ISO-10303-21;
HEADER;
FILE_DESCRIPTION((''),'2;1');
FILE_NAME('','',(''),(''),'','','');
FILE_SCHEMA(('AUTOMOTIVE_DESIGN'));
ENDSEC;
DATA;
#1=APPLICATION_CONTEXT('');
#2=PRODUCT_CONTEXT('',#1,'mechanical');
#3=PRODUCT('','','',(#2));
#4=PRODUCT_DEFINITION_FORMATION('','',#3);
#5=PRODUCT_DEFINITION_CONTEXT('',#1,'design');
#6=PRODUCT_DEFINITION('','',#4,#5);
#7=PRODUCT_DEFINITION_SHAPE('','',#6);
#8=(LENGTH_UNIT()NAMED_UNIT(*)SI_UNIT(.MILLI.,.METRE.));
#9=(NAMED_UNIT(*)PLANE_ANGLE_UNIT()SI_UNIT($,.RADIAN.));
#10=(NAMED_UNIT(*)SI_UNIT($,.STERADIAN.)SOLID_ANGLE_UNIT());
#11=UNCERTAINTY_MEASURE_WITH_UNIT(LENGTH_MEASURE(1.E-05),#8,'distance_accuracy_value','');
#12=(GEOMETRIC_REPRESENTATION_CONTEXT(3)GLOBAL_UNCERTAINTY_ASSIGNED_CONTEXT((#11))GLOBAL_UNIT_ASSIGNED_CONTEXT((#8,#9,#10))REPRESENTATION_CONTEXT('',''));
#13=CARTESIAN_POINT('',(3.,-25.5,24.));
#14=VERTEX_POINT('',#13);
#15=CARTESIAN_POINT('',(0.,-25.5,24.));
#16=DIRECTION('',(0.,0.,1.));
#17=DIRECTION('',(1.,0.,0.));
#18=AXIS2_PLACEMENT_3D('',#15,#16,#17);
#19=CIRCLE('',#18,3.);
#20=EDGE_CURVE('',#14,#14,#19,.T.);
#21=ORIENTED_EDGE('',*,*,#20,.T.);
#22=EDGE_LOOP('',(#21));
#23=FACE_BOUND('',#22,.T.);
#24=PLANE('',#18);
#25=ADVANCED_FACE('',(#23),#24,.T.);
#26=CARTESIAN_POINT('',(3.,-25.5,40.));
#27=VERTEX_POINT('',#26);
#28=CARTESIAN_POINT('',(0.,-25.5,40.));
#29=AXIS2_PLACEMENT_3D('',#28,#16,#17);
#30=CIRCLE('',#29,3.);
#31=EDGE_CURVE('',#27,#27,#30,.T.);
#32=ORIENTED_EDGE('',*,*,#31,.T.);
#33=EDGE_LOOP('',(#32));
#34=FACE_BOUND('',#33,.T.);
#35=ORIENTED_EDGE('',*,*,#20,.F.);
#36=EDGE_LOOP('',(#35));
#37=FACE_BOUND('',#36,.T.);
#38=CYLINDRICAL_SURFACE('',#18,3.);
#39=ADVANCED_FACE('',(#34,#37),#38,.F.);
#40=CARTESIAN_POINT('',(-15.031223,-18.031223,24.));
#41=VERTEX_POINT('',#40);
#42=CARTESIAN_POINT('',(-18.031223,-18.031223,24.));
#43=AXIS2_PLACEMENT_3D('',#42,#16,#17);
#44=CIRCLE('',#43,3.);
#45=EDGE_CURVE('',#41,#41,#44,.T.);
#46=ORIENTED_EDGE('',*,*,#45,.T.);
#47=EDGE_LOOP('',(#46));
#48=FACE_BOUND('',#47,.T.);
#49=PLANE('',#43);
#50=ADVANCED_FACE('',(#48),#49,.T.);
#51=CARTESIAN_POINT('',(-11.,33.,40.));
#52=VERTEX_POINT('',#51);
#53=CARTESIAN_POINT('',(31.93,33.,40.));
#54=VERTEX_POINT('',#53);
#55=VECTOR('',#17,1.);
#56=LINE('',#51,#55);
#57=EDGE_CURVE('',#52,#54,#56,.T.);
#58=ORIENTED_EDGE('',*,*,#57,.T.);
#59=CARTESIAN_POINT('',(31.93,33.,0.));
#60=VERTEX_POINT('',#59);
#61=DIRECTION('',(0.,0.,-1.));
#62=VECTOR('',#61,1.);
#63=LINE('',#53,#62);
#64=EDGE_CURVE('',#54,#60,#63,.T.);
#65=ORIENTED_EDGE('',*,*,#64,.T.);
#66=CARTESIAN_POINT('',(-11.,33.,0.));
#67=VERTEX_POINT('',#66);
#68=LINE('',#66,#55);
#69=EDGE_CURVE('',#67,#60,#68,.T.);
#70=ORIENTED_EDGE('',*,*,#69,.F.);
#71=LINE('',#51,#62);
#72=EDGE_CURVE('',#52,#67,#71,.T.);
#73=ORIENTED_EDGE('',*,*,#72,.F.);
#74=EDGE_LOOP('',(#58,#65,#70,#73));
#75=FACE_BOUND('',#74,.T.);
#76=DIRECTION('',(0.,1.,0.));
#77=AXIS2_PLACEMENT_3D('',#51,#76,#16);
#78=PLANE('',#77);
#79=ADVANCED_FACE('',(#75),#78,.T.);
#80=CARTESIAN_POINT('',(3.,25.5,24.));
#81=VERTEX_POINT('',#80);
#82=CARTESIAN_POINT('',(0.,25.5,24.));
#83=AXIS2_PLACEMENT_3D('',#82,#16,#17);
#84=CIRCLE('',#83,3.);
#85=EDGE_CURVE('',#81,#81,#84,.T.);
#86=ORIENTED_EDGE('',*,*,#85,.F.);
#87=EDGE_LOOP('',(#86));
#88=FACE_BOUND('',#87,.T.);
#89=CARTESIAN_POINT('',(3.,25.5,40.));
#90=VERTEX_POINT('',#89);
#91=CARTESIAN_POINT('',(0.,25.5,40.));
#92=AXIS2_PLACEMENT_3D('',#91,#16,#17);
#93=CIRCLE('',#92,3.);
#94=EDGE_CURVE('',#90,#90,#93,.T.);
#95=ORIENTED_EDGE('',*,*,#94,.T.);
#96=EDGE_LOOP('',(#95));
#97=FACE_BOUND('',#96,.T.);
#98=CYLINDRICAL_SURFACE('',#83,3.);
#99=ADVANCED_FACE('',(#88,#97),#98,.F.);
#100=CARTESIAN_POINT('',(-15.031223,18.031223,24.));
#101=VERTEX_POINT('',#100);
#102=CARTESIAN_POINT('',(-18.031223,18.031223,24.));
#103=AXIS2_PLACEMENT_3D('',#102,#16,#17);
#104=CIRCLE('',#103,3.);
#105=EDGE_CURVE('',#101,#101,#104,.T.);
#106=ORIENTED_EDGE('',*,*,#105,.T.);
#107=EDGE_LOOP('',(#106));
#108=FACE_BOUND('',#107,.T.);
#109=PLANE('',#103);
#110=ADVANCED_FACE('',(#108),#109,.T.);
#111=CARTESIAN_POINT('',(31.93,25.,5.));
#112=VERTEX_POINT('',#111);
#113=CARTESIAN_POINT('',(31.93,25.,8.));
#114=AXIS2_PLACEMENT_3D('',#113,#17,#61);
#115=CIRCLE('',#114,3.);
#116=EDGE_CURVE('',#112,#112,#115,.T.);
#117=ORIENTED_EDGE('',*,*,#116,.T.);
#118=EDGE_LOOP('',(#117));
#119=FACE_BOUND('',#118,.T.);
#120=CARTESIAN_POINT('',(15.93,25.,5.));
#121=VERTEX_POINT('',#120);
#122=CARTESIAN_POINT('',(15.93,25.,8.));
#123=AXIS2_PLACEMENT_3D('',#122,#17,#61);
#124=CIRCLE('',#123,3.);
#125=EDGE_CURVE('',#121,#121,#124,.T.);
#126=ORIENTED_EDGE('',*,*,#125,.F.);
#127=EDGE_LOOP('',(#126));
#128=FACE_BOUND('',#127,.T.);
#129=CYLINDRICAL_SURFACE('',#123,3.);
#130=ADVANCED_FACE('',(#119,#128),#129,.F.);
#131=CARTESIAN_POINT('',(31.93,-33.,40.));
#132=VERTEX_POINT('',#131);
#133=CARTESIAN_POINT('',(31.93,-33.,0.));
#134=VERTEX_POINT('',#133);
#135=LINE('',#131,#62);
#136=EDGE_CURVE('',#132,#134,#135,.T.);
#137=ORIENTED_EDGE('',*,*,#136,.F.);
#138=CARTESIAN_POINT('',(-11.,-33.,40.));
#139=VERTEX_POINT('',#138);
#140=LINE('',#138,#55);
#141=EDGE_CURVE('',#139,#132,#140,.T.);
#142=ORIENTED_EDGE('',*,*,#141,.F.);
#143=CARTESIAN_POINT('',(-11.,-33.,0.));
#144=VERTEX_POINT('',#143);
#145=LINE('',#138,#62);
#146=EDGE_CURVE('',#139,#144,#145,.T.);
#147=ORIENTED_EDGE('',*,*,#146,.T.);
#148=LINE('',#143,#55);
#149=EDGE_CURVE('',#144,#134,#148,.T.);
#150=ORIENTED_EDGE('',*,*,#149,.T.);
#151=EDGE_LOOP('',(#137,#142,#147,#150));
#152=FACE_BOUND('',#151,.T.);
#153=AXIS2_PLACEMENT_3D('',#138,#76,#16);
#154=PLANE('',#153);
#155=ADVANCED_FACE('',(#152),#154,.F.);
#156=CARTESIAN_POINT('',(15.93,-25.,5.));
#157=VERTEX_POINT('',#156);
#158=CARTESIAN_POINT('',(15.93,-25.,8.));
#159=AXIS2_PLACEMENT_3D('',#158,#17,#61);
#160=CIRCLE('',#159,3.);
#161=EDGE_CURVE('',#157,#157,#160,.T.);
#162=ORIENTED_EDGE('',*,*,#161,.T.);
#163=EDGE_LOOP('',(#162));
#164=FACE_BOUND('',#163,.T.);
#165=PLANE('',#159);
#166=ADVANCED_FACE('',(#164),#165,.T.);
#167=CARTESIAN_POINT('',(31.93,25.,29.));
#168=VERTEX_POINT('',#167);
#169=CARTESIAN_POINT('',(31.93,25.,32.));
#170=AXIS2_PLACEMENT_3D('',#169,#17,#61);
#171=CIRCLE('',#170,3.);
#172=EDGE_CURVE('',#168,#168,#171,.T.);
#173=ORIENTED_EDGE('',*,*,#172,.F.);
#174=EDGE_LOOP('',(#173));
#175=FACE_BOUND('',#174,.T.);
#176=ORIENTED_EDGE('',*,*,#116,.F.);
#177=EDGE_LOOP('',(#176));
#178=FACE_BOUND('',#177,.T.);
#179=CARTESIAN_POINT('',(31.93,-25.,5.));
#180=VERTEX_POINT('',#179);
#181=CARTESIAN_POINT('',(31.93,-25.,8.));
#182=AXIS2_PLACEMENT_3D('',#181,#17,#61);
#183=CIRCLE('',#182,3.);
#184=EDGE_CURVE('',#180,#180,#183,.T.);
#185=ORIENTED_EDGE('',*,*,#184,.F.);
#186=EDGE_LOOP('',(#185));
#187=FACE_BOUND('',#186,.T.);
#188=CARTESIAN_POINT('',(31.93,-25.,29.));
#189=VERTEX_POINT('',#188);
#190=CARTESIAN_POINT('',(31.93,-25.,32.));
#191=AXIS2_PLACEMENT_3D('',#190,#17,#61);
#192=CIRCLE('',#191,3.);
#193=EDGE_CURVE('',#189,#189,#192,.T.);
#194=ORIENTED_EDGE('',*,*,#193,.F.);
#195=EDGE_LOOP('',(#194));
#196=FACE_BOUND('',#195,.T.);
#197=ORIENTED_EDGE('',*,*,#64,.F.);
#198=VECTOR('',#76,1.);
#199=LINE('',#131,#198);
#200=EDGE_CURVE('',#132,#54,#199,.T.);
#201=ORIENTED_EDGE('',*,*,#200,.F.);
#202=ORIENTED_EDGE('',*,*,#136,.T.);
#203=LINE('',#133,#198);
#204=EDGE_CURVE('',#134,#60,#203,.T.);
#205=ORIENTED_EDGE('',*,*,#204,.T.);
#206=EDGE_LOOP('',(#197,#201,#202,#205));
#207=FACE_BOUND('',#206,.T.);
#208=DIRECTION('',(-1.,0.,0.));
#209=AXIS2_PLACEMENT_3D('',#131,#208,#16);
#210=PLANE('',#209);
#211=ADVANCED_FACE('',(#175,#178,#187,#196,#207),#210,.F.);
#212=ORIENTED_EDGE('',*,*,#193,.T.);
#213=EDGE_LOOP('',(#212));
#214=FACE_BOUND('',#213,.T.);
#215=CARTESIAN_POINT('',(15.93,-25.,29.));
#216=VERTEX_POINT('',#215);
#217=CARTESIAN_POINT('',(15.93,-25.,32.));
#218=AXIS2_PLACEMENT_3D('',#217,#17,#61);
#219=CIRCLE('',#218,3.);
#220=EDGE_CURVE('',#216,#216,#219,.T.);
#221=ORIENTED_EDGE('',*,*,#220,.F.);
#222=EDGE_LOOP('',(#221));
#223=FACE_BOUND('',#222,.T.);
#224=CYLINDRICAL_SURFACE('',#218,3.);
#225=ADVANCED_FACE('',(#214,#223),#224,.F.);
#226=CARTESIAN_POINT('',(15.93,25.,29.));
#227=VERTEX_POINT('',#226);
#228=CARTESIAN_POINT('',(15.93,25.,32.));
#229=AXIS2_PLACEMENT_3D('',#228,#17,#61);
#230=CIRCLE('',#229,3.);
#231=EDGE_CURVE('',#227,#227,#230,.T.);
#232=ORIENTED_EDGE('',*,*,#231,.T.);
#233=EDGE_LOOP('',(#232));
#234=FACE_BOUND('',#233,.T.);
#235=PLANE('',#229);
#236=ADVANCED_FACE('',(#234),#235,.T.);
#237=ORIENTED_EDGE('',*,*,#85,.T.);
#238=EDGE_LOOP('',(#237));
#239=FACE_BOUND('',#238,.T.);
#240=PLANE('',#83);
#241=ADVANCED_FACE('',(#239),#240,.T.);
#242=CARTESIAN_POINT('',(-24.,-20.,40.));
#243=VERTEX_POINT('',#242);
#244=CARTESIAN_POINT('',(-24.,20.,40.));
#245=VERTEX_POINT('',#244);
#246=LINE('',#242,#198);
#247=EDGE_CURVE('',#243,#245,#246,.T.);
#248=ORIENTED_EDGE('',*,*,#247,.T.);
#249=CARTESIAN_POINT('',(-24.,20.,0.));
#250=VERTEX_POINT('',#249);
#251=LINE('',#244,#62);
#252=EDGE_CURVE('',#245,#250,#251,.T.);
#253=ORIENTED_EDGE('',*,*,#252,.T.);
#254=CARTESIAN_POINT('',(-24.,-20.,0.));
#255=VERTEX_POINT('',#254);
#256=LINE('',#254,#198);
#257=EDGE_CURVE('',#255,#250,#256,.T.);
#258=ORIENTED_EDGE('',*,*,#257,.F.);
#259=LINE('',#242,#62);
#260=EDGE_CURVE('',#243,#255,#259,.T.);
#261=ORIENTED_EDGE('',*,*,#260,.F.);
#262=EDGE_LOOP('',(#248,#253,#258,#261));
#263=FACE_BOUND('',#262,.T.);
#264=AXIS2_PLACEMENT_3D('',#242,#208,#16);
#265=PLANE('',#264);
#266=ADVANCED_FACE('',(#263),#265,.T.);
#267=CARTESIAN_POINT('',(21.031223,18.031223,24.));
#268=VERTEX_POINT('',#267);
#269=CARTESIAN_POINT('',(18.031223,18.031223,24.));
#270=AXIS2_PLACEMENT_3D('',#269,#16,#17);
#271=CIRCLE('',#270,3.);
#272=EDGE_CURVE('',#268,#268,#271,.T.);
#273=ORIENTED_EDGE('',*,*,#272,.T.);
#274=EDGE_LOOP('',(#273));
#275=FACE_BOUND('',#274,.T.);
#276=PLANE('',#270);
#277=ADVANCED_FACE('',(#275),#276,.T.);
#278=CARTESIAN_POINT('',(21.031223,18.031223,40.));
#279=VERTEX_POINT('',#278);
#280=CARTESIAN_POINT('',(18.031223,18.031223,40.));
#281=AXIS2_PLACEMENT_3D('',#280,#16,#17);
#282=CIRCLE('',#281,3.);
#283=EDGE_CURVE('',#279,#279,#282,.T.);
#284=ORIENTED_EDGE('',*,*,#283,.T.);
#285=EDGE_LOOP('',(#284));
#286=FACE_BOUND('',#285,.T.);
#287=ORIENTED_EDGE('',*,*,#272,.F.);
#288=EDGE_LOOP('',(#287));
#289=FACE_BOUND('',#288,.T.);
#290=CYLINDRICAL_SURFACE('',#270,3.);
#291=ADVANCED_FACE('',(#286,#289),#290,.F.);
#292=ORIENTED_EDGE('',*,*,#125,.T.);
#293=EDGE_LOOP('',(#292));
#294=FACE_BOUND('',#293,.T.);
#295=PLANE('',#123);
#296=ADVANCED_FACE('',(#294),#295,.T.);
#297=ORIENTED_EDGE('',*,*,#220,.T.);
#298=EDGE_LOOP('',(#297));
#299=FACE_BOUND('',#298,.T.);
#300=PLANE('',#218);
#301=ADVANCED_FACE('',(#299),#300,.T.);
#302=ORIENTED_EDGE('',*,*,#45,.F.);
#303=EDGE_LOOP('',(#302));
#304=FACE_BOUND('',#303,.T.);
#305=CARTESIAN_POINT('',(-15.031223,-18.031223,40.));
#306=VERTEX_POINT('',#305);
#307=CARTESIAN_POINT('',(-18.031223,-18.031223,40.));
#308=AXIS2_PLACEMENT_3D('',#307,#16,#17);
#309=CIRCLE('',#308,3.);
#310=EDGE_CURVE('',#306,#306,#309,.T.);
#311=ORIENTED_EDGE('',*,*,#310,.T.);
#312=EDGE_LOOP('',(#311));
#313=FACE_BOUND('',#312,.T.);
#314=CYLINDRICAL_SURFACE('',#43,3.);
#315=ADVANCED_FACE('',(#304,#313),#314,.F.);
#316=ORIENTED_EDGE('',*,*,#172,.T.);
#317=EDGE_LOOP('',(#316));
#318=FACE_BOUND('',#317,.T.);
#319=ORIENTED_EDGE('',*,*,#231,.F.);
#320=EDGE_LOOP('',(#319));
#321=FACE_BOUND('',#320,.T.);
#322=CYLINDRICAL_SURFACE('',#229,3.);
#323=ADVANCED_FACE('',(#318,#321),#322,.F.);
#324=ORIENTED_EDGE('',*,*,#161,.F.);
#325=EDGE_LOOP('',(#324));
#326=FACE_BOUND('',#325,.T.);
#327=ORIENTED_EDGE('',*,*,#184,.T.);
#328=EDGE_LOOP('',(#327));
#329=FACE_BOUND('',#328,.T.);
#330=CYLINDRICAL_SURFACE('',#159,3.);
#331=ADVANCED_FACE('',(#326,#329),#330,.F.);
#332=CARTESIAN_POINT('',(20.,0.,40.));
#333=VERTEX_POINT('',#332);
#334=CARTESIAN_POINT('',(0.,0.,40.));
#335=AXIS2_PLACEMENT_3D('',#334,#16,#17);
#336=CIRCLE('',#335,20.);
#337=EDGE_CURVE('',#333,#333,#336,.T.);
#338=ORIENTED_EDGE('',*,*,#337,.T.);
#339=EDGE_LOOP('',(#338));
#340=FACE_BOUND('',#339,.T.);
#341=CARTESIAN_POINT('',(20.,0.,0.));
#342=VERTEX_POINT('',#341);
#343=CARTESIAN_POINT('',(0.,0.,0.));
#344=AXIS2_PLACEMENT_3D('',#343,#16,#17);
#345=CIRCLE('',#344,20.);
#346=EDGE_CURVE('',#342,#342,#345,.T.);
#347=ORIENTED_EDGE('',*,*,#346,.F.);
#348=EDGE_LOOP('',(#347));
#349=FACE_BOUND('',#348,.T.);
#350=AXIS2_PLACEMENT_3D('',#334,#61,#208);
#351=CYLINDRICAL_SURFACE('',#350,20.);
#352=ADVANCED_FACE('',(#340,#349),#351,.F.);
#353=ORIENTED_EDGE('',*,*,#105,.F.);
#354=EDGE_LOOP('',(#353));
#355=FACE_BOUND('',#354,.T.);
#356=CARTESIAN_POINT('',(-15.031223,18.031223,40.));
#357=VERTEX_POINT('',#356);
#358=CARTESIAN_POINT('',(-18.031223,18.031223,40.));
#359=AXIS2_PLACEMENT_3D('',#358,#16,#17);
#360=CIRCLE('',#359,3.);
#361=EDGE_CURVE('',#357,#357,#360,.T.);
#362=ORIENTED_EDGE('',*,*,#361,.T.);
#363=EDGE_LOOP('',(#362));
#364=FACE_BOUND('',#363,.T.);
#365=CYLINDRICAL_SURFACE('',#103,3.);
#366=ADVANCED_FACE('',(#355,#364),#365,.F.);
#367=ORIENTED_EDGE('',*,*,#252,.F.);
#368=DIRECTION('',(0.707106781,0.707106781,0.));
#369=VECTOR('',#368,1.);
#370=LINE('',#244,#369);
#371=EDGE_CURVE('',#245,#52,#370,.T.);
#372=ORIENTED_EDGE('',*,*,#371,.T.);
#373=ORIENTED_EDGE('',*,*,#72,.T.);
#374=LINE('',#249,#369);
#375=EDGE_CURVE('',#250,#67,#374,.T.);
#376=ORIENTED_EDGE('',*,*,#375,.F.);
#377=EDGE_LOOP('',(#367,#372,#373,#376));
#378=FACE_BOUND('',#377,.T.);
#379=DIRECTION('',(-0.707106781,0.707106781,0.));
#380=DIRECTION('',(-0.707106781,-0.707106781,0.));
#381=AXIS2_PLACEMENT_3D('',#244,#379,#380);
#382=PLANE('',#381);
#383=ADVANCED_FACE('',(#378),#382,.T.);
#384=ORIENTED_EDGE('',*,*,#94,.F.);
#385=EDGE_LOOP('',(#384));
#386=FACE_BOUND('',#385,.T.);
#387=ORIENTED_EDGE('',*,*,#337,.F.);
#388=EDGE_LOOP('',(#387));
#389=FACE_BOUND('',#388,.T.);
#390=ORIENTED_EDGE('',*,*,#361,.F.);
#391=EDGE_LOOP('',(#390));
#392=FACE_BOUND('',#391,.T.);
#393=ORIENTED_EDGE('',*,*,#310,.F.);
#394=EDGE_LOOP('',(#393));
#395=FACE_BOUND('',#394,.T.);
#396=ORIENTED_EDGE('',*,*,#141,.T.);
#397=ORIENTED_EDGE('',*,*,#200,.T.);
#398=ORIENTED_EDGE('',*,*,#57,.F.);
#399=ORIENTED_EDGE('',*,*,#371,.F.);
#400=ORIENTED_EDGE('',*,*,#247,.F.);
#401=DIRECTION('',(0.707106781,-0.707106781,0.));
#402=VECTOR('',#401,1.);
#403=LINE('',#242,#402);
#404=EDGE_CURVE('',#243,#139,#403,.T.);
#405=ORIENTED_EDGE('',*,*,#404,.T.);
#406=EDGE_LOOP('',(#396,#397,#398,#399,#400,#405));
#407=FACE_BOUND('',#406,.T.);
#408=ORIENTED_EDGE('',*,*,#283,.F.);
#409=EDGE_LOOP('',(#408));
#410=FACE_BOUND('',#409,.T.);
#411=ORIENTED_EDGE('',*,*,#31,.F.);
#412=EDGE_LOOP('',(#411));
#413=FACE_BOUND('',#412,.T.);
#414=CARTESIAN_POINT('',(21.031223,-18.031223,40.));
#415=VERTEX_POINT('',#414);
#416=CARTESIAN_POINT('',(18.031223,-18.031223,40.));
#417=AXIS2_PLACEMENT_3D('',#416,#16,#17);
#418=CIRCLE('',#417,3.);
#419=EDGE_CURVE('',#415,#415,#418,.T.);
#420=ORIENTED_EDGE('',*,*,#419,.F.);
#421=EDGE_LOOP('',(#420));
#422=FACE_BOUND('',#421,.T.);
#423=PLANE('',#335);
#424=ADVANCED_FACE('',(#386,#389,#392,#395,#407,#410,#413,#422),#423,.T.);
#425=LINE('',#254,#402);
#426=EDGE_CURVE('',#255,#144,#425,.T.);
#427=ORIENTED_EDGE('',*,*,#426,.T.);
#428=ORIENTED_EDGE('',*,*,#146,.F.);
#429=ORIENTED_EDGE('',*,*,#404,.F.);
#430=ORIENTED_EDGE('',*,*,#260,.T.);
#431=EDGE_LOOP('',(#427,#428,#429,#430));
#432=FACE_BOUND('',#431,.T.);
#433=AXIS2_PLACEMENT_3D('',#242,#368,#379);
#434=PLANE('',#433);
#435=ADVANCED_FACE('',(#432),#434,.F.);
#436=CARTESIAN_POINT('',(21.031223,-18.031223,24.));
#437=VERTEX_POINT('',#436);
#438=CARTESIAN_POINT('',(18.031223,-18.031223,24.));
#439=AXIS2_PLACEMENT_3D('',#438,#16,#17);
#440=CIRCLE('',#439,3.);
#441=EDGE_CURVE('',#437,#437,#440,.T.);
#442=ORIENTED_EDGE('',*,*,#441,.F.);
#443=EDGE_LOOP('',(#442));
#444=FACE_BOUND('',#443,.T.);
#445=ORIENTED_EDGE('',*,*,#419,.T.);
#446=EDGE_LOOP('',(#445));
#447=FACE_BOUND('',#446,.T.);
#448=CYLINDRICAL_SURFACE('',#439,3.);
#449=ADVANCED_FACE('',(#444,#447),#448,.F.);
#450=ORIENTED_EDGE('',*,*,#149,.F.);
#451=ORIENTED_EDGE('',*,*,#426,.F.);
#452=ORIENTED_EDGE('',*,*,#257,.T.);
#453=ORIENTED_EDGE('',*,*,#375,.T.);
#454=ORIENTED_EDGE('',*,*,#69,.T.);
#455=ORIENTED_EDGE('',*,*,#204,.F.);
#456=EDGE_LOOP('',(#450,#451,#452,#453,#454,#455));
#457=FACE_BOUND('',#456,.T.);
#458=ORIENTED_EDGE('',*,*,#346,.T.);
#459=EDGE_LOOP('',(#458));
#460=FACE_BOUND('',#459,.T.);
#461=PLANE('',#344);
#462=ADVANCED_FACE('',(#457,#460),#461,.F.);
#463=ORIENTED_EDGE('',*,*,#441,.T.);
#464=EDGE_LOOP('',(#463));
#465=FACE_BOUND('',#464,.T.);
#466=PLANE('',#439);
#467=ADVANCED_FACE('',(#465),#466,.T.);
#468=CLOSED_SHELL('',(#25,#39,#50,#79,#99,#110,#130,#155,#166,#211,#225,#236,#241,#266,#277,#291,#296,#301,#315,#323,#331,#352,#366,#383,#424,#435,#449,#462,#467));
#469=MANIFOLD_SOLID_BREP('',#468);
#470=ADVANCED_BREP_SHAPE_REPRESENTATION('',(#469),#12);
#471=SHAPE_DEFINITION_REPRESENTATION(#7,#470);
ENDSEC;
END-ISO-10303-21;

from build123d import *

# Parameters (mm, degrees)
SKETCH1_R           = 20
BOSS_EXTRUDE2_DEPTH = 40
SKETCH8_R           = 3
CUT_EXTRUDE1_DEPTH  = 16
SKETCH9_R           = 3
CUT_EXTRUDE2_DEPTH  = 16


with BuildPart() as part:
    # Sketch1 → Boss-Extrude2 (new body)
    with BuildSketch(Plane.XY):
        Polygon((-24, -20), (-11, -33), (31.93, -33), (31.93, 33), (-11, 33), (-24, 20), align=None)
        Circle(SKETCH1_R, mode=Mode.SUBTRACT)
    extrude(amount=BOSS_EXTRUDE2_DEPTH)

    # Sketch8 → Cut-Extrude1 (cut)
    with BuildSketch(Plane.XY.offset(40)):
        with Locations((0, 25.5)):
            Circle(SKETCH8_R)
        with Locations((18.03122292, 18.03122292)):
            Circle(SKETCH8_R)
        with Locations((18.03122292, -18.03122292)):
            Circle(SKETCH8_R)
        with Locations((0, -25.5)):
            Circle(SKETCH8_R)
        with Locations((-18.03122292, -18.03122292)):
            Circle(SKETCH8_R)
        with Locations((-18.03122292, 18.03122292)):
            Circle(SKETCH8_R)
    extrude(amount=-CUT_EXTRUDE1_DEPTH, mode=Mode.SUBTRACT)

    # Sketch9 → Cut-Extrude2 (cut)
    with BuildSketch(Plane(origin=(31.93, 0, 0), x_dir=(0, 0, -1), z_dir=(1, 0, 0))):
        with Locations((-32, 25)):
            Circle(SKETCH9_R)
        with Locations((-8, 25)):
            Circle(SKETCH9_R)
        with Locations((-8, -25)):
            Circle(SKETCH9_R)
        with Locations((-32, -25)):
            Circle(SKETCH9_R)
    extrude(amount=-CUT_EXTRUDE2_DEPTH, mode=Mode.SUBTRACT)


solid = part.part
